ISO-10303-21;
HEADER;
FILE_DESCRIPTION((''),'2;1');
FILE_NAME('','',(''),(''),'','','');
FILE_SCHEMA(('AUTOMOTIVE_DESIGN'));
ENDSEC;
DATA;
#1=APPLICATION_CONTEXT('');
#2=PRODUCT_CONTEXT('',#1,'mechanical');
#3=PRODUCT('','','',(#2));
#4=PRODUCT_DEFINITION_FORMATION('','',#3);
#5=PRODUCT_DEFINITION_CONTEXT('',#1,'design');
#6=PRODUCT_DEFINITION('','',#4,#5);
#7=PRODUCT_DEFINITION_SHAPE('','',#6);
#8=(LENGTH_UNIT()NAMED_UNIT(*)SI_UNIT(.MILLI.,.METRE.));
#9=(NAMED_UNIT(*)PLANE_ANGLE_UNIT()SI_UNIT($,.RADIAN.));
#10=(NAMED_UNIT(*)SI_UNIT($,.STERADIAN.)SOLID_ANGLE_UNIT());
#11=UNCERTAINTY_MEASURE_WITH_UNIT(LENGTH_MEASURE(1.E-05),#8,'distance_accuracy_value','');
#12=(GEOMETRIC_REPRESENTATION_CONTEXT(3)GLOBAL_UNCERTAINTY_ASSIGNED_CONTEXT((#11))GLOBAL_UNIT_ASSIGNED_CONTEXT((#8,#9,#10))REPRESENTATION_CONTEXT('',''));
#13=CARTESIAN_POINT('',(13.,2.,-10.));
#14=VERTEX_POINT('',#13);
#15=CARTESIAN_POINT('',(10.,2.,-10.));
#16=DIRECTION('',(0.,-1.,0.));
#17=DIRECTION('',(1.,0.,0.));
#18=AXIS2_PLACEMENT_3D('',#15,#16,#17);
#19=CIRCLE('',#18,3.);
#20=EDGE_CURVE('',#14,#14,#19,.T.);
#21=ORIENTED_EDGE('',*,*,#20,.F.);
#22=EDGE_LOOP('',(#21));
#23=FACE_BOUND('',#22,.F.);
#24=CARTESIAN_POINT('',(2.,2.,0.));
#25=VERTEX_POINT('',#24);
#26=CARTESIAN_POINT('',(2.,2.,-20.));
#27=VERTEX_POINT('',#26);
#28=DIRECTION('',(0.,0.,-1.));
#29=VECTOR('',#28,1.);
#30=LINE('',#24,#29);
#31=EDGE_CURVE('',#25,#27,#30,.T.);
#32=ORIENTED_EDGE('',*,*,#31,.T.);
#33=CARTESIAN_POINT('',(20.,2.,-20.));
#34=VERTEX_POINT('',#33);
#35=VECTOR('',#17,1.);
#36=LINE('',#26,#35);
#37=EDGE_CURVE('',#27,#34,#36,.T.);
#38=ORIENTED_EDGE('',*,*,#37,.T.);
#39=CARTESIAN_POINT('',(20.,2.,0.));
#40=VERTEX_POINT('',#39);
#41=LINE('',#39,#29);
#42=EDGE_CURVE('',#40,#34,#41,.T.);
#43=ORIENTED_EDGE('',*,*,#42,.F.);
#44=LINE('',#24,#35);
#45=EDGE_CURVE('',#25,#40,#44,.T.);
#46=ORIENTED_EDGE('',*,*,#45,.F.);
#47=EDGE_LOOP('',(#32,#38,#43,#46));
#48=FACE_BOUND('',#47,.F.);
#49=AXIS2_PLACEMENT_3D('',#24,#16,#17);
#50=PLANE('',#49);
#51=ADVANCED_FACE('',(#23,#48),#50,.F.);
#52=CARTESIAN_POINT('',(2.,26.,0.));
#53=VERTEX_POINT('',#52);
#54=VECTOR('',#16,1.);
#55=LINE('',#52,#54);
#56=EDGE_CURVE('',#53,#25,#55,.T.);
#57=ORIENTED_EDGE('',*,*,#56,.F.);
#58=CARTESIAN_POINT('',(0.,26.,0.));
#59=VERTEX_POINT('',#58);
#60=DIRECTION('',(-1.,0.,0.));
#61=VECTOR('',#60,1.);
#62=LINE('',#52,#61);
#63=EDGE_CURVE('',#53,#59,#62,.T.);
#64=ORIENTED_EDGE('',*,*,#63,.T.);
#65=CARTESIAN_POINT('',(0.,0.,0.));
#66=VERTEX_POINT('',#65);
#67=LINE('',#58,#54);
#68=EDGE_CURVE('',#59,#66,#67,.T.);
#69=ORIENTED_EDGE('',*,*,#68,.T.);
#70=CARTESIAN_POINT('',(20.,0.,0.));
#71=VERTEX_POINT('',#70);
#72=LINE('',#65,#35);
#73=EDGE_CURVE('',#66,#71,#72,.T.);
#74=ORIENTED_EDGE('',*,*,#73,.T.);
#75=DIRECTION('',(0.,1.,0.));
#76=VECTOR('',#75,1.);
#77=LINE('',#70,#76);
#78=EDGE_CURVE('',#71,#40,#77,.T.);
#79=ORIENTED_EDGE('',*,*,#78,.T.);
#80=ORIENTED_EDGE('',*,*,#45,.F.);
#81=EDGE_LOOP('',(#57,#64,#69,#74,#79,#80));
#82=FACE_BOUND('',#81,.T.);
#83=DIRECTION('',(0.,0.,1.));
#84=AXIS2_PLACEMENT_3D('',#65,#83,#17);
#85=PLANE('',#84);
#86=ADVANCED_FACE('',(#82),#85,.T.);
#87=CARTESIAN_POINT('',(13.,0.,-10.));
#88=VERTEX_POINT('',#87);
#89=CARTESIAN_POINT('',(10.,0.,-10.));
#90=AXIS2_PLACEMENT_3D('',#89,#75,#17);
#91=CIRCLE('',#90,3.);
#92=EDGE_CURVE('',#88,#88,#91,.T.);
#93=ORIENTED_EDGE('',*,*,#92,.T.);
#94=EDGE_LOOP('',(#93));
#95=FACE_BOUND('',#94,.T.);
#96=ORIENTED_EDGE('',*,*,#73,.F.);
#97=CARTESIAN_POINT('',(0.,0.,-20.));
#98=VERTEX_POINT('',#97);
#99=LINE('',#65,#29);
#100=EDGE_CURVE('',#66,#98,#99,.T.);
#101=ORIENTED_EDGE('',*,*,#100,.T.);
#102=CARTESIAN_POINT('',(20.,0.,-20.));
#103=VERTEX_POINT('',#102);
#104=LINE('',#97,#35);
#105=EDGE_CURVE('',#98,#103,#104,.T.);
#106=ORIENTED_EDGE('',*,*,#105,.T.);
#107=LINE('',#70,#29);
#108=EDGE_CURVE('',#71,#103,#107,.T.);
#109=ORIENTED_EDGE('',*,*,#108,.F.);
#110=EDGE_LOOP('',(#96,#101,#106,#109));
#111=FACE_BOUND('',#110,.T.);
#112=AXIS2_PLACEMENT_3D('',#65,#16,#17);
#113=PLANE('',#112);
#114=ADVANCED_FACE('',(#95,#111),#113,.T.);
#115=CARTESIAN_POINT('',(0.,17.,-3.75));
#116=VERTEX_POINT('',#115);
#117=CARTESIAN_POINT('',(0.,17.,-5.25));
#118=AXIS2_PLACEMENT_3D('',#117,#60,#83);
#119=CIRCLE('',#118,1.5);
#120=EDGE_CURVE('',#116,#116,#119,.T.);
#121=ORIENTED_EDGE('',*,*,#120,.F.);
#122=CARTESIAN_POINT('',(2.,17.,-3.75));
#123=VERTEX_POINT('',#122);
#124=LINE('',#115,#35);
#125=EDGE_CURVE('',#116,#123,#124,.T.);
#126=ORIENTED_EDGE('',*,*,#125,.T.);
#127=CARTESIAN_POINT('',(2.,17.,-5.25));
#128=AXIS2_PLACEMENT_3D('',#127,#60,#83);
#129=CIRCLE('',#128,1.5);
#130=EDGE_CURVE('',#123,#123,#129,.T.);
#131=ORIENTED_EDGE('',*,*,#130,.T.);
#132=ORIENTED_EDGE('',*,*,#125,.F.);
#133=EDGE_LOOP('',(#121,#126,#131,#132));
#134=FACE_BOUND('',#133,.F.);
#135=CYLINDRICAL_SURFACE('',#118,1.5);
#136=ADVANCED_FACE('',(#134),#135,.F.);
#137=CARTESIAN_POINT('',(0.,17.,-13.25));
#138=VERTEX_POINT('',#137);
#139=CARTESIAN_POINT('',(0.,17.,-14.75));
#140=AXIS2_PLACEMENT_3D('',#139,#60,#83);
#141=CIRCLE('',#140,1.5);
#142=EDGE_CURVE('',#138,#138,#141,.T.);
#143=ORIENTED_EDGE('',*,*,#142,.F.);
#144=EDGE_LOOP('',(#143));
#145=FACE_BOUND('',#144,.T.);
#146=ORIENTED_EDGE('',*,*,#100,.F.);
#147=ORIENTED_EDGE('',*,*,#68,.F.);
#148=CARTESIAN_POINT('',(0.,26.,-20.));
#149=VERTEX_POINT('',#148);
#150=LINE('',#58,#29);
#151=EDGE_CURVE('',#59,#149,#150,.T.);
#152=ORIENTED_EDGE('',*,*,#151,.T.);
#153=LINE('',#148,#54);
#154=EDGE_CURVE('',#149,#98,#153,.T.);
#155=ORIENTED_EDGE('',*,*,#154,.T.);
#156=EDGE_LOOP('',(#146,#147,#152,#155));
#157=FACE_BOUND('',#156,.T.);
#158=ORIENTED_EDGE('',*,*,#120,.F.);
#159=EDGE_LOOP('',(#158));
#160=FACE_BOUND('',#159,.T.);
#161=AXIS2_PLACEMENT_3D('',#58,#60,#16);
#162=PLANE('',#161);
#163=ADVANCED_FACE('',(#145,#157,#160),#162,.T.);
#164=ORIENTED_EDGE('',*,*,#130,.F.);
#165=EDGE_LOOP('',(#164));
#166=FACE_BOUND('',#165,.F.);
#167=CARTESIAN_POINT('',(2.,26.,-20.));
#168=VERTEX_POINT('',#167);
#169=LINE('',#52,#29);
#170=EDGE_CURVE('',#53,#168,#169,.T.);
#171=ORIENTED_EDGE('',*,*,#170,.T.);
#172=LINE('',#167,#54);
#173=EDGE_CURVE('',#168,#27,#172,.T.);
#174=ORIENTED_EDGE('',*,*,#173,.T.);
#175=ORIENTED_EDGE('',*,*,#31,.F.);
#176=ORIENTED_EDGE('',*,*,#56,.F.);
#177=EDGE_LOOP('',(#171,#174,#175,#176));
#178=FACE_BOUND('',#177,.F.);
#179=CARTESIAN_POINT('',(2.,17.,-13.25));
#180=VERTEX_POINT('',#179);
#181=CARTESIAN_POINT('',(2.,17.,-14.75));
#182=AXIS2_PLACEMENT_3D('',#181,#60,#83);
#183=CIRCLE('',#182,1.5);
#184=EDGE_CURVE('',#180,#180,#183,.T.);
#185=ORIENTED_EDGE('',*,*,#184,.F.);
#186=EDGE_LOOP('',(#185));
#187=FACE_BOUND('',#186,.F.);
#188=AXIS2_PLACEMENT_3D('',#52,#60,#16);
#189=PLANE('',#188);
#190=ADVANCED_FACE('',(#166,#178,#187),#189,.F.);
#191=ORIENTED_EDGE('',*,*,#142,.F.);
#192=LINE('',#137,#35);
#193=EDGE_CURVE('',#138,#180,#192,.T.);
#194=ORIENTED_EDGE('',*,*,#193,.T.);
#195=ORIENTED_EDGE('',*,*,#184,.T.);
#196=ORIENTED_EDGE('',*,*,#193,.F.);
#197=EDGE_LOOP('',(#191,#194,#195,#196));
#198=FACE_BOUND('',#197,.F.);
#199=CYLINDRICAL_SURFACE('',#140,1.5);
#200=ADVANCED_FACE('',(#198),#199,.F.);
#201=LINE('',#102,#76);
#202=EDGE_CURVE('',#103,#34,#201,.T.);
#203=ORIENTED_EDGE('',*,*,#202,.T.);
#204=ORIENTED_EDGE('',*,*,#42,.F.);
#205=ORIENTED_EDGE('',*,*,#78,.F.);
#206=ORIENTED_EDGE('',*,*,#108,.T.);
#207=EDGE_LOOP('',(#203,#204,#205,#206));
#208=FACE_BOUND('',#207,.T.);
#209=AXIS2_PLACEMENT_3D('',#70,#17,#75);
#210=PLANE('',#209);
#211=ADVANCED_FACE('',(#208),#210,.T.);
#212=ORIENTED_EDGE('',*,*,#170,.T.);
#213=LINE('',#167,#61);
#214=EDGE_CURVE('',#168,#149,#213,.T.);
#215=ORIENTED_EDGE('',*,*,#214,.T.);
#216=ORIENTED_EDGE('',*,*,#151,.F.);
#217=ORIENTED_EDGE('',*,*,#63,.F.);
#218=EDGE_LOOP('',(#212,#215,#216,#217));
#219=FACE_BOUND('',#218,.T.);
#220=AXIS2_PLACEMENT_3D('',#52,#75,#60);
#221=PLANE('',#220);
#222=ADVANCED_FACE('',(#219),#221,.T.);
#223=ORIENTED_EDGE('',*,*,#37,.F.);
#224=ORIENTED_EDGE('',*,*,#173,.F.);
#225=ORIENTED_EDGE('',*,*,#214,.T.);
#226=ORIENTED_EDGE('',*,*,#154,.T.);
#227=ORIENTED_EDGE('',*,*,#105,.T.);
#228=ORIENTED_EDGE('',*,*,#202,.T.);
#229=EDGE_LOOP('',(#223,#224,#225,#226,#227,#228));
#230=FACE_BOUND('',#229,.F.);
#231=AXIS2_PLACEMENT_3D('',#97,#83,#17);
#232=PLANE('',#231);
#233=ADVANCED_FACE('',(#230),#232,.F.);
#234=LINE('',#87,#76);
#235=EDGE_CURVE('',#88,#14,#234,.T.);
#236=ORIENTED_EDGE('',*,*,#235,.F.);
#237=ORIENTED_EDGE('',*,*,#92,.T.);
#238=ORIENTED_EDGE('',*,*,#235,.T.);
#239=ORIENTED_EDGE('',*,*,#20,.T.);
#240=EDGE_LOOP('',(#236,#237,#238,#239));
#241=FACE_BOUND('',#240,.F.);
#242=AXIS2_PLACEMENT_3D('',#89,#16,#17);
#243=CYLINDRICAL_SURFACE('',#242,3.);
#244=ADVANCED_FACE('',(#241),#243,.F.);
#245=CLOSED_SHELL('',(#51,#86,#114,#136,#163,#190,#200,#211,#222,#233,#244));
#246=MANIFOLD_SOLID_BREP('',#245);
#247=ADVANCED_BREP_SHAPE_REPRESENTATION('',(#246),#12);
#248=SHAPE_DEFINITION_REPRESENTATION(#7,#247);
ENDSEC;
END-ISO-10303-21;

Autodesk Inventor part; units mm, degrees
ref_plane "YZ Plane" through (0, 0, 0) normal (1, 0, 0) x (0, 1, 0)
ref_plane "XZ Plane" through (0, 0, 0) normal (0, 1, 0) x (-1, 0, 0)
ref_plane "XY Plane" through (0, 0, 0) normal (0, 0, 1) x (1, 0, 0)
sketch "Sketch9" plane through (0, 0, 0) normal (0, 0, 1) x (1, 0, 0)
  line L0 (0, 0) -> (20, 0)
  line L1 (20, 0) -> (20, 26)
  line L2 (2, 26) -> (0, 26)
  line L3 (0, 26) -> (0, 0)
  line L4 (2, 26) -> (2, 2)
  line L5 (2, 2) -> (20, 2)
  line L6 (20, 2) -> (20, 26)
  dimension "d35" = 20
  dimension "d36" = 26
  dimension "d37" = 2
  dimension "d38" = 2
extrude "Extrusion9" add sketch "Sketch9" against normal blind 20
sketch "Sketch10" plane through (0, 0, 0) normal (0, -1, 0) x (1, 0, 0)
  line L0 (0, 0) -> (20, 0) projected
  line L1 (10, 0) -> (10, -20)
  line L2 (20, -20) -> (0, -20) projected
  circle A0 centre (10, -10) radius 3
  dimension "d41" = 6
extrude "Extrusion10" cut sketch "Sketch10" against normal through all
sketch "Sketch11" plane through (0, 0, 0) normal (-1, 0, 0) x (0, 0, 1)
  line L0 (0, 26) -> (0, 0) projected
  line L1 (0, 26) -> (0, 17)
  circle A0 centre (-5.25, 17) radius 1.5
  circle A1 centre (-14.75, 17) radius 1.5
  dimension "d44" = 9
  dimension "d45" = 3
  dimension "d46" = 3
  dimension "d47" = 9.5
  dimension "d48" = 5.25
extrude "Extrusion11" cut sketch "Sketch11" against normal through all
properties part number "LimitSwitch MountV2"
